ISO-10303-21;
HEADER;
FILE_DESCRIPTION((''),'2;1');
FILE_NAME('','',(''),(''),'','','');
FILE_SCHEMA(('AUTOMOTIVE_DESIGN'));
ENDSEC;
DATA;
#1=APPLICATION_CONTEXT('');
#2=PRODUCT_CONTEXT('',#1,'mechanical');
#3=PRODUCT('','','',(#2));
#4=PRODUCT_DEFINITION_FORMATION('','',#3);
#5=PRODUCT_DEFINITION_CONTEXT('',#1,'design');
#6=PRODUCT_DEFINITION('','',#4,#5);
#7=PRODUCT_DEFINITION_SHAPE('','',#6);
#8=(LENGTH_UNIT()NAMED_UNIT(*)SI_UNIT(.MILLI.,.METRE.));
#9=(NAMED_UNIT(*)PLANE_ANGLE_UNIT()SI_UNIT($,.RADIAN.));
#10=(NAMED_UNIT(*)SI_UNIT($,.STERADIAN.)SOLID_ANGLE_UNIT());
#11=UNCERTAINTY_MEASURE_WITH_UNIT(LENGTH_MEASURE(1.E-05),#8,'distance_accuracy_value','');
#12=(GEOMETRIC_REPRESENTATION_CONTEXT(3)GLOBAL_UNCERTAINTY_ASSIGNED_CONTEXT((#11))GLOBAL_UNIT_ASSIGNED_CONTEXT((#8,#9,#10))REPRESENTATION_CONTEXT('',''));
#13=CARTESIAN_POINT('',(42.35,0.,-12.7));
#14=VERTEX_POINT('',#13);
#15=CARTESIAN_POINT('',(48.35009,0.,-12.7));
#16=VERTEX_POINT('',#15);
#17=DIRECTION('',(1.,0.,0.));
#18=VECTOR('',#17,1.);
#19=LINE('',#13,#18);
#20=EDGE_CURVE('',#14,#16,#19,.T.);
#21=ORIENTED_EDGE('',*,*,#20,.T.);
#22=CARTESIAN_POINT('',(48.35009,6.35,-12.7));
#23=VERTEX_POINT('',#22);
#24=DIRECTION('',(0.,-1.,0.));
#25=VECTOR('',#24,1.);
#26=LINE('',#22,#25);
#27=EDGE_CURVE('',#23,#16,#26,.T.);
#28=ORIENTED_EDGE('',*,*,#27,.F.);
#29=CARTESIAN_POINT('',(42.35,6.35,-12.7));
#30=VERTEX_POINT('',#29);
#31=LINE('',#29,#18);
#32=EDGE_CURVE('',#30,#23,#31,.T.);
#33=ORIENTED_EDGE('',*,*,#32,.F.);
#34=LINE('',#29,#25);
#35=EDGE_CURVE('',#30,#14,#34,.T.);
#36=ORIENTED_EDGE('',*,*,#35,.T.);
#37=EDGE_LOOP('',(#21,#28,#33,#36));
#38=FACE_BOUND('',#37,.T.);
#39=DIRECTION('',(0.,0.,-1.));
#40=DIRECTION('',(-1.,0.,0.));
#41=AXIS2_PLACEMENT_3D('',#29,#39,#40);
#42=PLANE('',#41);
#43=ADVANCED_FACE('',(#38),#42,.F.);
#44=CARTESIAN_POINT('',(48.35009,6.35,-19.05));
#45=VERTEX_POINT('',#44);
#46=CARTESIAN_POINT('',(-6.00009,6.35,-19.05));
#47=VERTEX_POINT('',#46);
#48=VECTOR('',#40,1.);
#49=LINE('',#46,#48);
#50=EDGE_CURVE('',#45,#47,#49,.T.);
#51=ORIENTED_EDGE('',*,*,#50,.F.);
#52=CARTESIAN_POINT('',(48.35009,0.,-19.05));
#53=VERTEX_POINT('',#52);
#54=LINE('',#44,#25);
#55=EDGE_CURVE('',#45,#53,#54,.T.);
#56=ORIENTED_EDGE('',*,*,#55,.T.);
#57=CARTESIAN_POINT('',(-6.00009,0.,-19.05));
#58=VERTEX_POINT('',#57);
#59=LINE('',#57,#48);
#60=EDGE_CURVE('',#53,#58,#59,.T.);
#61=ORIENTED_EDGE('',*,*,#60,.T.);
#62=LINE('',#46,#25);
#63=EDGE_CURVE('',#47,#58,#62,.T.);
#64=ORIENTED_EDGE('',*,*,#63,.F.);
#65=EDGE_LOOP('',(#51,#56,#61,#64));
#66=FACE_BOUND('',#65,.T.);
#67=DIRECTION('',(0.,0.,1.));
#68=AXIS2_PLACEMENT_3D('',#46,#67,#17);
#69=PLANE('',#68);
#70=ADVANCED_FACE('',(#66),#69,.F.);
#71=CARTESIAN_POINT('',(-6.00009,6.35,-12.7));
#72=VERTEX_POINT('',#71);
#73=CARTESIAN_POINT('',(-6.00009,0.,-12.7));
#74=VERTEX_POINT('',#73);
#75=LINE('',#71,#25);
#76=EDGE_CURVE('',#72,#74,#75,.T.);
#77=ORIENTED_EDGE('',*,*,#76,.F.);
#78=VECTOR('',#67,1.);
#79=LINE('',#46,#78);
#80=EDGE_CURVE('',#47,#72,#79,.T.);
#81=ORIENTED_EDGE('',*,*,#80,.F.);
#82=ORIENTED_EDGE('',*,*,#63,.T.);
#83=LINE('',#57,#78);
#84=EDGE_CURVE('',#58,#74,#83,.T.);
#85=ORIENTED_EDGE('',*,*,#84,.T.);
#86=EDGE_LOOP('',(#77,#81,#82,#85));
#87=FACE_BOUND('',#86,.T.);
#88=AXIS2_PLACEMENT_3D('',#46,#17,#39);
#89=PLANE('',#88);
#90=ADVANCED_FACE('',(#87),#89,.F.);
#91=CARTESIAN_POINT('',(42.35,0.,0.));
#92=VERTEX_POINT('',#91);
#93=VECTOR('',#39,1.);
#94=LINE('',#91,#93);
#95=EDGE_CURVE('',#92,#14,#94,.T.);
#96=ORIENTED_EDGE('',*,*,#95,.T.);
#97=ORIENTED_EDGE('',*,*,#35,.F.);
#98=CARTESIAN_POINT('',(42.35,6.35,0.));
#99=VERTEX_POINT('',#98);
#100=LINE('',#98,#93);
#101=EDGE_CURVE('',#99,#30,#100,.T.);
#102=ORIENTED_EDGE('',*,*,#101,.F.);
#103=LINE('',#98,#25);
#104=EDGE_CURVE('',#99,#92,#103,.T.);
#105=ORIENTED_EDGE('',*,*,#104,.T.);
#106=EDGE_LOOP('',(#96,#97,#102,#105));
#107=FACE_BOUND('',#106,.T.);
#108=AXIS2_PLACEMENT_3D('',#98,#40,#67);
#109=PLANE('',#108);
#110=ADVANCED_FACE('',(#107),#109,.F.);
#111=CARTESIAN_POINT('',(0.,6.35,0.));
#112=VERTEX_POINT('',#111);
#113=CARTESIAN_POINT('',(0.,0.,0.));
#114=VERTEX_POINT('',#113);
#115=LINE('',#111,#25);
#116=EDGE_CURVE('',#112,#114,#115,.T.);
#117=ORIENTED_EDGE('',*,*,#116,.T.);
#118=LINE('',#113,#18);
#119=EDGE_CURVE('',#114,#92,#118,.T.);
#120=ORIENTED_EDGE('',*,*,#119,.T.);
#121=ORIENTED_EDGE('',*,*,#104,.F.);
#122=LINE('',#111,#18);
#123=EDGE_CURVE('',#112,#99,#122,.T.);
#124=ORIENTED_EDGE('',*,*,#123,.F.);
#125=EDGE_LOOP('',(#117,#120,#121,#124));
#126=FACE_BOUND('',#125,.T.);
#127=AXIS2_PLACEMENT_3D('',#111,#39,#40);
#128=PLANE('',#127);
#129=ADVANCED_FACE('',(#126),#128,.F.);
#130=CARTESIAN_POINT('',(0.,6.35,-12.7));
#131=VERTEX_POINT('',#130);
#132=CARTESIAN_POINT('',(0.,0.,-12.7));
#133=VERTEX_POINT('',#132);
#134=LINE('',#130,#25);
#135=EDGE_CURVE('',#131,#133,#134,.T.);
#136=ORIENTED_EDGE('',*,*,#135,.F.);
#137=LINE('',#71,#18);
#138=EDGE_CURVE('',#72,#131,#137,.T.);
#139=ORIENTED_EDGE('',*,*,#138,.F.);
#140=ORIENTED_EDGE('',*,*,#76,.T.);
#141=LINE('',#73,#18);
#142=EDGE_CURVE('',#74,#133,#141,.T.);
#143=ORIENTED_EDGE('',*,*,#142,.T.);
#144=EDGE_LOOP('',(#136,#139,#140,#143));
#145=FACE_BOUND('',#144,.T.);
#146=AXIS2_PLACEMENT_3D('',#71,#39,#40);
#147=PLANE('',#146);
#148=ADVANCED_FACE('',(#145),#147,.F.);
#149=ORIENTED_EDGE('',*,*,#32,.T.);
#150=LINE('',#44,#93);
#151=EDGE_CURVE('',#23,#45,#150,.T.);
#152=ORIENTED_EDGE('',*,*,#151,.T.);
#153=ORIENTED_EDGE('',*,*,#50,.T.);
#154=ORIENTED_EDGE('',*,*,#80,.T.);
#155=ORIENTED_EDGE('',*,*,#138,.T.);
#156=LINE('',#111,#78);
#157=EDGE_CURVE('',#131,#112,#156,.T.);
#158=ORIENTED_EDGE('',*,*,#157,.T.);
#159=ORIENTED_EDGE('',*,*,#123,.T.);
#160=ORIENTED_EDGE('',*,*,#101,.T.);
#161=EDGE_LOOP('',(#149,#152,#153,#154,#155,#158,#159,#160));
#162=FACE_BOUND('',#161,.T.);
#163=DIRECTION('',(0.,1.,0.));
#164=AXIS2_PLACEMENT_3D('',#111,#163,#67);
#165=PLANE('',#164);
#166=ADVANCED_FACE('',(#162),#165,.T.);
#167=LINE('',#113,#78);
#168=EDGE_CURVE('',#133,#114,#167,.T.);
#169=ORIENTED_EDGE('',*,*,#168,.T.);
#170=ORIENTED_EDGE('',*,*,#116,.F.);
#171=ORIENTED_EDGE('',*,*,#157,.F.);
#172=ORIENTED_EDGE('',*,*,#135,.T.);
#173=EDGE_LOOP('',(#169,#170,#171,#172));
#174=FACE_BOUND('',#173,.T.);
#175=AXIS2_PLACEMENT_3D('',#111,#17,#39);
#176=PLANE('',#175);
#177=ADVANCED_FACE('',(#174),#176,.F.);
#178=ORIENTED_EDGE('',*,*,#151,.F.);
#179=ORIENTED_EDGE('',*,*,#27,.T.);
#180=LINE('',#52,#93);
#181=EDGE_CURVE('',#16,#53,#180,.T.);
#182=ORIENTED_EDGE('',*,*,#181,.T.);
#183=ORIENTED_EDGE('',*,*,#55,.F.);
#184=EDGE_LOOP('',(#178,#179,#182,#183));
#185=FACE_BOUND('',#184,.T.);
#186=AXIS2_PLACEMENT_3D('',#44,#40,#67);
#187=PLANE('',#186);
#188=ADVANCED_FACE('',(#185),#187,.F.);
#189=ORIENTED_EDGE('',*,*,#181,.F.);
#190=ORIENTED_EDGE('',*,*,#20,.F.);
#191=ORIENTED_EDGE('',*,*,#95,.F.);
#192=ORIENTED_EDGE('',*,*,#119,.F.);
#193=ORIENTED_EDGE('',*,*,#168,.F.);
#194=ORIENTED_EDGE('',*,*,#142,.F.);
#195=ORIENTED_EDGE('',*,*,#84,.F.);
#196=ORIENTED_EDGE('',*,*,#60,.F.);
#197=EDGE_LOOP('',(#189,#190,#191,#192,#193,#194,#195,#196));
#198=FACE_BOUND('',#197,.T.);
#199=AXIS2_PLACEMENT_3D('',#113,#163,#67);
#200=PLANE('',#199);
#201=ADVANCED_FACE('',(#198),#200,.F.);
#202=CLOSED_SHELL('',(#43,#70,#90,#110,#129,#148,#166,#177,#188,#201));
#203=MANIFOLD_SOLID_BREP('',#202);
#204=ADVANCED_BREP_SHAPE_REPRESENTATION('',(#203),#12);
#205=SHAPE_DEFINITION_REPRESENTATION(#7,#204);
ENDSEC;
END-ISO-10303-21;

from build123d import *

# Parameters (mm, degrees)
BOSS_EXTRUDE1_DEPTH = 6.35


with BuildPart() as part:
    # Sketch1 → Boss-Extrude1 (new body)
    with BuildSketch(Plane(origin=(0, 0, 0), x_dir=(1, 0, 0), z_dir=(0, 1, 0))):
        Polygon((0, 0), (0, 12.7), (-6.0000896, 12.7), (-6.0000896, 19.05), (48.350089736, 19.05), (48.350089736, 12.7), (42.350000136, 12.7), (42.350000136, 0), align=None)
    extrude(amount=BOSS_EXTRUDE1_DEPTH)


solid = part.part
